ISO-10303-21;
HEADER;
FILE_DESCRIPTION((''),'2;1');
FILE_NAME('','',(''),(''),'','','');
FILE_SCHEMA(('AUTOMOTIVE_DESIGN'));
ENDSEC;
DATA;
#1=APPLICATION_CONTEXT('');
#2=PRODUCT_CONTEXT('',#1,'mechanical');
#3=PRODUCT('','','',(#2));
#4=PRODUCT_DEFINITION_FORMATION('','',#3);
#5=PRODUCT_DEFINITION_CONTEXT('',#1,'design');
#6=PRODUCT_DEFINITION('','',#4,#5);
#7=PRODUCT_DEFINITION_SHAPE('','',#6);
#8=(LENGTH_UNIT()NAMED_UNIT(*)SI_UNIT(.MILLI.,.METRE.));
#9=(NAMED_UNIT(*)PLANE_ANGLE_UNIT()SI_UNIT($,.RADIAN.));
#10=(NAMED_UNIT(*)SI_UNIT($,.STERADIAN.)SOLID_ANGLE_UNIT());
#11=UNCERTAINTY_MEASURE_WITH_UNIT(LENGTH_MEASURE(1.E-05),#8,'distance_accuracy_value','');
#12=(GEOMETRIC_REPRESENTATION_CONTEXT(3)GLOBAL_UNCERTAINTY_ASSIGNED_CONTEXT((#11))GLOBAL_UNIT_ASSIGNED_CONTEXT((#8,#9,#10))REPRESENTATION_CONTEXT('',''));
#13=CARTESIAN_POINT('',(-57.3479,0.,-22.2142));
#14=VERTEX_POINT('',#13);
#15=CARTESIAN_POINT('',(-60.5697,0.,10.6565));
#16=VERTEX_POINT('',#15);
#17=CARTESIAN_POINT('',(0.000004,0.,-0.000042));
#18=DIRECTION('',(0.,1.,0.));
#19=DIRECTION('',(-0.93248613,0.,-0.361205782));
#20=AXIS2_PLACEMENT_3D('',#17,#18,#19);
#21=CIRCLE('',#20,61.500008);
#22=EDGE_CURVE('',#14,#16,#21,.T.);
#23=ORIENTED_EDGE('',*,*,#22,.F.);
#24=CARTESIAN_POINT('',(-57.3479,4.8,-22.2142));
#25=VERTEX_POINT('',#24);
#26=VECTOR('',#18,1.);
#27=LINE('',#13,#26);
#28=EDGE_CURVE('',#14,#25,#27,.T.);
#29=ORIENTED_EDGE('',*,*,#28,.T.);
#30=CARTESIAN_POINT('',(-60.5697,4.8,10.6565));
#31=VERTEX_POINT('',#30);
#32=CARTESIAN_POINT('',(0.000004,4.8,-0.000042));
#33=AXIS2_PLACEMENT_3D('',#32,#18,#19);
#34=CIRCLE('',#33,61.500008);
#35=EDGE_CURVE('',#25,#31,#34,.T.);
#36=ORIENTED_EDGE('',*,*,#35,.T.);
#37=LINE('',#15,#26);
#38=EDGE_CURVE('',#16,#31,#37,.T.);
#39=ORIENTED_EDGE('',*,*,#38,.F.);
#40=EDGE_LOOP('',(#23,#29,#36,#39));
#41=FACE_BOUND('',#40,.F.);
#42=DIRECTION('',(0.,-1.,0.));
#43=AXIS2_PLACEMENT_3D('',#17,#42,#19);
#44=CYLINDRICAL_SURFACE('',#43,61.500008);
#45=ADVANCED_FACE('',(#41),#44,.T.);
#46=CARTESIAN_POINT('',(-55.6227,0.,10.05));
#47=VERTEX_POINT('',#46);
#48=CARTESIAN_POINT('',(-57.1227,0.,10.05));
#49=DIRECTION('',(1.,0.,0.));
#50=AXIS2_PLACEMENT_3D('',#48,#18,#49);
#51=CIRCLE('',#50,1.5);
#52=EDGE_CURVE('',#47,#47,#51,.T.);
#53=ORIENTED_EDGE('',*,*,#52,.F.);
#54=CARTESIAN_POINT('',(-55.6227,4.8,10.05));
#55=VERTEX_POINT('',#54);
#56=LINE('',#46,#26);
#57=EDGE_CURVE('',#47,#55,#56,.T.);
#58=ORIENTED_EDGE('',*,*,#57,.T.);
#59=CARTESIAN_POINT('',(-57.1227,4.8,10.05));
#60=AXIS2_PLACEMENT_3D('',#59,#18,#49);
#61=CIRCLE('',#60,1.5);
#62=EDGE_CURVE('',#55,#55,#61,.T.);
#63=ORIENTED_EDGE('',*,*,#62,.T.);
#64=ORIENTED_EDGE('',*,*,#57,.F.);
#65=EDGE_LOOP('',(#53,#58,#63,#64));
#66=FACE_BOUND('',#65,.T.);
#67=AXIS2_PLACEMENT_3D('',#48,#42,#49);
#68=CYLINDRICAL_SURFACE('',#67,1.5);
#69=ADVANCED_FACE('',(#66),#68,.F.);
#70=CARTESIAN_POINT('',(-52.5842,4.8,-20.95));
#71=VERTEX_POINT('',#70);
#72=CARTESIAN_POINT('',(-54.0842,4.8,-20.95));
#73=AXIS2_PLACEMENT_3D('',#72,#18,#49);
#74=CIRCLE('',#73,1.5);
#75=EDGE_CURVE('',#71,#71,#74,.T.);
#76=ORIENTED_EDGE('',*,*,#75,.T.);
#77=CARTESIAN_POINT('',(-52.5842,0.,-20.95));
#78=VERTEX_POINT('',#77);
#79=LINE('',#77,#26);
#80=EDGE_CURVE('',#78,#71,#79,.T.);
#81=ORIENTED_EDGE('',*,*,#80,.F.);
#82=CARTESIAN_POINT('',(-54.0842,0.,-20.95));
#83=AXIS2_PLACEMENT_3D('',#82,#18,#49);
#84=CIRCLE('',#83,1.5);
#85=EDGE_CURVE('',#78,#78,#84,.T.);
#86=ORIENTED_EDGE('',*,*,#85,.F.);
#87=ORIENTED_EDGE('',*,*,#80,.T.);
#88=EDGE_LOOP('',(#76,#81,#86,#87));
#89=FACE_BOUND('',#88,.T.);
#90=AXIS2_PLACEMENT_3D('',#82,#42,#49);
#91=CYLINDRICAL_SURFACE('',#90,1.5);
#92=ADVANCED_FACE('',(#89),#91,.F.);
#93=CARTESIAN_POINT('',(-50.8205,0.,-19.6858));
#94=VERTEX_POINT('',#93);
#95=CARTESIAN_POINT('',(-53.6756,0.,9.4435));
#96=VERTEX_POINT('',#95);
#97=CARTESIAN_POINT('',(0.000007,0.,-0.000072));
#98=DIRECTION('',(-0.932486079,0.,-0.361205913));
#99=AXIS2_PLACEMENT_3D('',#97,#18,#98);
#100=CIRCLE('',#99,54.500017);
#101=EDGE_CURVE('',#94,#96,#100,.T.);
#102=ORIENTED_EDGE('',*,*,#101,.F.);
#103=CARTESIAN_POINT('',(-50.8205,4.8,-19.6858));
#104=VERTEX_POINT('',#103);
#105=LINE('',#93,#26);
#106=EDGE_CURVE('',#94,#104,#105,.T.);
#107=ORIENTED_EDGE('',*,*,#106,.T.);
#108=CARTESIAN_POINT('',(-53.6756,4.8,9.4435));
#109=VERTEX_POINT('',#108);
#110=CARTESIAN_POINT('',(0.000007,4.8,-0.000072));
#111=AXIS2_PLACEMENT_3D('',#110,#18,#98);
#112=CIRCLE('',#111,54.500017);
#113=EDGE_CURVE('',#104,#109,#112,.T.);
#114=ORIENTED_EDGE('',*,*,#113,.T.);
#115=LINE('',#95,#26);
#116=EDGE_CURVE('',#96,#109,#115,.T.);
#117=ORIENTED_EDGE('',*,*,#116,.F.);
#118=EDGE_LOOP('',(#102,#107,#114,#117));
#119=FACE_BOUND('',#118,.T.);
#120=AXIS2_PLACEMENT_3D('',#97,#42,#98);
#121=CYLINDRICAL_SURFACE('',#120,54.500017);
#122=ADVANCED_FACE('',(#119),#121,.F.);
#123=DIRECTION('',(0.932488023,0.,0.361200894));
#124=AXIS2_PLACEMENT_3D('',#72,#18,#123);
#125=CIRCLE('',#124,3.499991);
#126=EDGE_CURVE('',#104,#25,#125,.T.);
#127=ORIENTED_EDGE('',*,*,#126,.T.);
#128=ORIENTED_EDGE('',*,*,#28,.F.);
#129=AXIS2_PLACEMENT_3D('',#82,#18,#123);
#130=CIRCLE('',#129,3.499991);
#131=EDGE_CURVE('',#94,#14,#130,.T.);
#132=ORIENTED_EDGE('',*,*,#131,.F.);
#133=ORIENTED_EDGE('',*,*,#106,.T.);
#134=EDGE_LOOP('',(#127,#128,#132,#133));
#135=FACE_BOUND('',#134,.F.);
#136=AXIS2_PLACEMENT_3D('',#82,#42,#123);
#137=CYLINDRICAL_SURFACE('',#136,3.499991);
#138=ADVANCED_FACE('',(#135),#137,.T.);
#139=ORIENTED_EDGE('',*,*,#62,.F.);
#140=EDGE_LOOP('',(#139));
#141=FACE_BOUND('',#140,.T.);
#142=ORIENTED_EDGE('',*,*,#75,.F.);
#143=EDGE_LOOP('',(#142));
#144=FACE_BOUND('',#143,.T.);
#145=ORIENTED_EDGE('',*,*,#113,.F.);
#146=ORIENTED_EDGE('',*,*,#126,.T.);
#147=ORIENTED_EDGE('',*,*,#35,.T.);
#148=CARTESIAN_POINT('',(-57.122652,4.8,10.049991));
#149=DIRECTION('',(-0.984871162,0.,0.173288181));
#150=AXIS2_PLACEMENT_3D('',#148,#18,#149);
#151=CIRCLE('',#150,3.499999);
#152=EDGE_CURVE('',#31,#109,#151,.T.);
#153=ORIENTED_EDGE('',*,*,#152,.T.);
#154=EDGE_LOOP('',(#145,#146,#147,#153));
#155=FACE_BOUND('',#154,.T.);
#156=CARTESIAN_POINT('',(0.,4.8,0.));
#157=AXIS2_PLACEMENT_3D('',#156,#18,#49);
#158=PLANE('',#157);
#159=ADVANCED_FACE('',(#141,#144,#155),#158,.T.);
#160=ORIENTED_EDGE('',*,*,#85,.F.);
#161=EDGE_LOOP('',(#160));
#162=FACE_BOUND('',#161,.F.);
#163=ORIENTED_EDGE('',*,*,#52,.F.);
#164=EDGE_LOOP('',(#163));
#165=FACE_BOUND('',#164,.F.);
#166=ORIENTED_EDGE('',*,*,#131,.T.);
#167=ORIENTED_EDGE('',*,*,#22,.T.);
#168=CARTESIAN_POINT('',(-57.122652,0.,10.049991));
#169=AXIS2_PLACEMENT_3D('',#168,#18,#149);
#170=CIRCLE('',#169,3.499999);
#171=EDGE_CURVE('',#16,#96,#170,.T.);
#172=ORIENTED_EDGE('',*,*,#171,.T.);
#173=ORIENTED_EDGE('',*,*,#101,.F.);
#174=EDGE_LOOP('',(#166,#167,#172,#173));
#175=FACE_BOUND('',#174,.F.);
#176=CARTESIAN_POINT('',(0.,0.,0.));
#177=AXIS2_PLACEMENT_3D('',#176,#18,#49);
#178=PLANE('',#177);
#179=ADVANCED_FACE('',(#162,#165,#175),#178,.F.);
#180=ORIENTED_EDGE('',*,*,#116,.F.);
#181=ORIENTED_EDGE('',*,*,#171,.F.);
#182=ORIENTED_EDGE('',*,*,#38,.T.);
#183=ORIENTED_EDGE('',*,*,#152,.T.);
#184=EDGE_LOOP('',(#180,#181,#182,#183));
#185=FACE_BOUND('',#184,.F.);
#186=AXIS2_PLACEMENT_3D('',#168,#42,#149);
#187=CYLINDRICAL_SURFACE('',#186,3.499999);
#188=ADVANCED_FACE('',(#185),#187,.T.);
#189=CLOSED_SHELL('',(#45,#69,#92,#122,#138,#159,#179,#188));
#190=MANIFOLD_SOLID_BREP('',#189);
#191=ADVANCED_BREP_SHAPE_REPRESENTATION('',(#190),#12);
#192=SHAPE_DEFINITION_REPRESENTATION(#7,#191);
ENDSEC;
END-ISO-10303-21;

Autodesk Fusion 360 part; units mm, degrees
sketch "Sketch1" plane through (0, 0, 0) normal (0, 1, 0) x (1, 0, 0)
  circle A0 centre (0, 0) radius 14 construction
  line L0 (0, 0) -> (0, 52) construction
  circle A1 centre (0, 0) radius 58 construction
  line L1 (0, 0) -> (-58, 0) construction
  line L2 (-61.5, 0) -> (-54.5, 0) construction
  line L3 (-52.0547, 32.75) -> (-43.5625, 32.75) construction
  line L4 (-54.7818, 27.95) -> (-46.7873, 27.95) construction
  line L5 (-59.0893, -17.05) -> (-51.7643, -17.05) construction
  circle A2 centre (-57.1227, -10.05) radius 1.5
  circle A3 centre (-54.0842, 20.95) radius 1.5
  arc A4 (-50.8205, 19.6858) -> (-57.3479, 22.2142) centre (-54.0842, 20.95) ccw
  arc A5 (-57.3479, 22.2142) -> (-55.2493, 17.6496) centre (-54.0842, 20.95) ccw construction
  arc A6 (-55.2493, 17.6496) -> (-50.8205, 19.6858) centre (-54.0842, 20.95) ccw construction
  arc A7 (-60.5697, -10.6565) -> (-53.6756, -9.4435) centre (-57.1227, -10.05) ccw
  arc A8 (-57.6248, -6.5862) -> (-60.5697, -10.6565) centre (-57.1227, -10.05) ccw construction
  arc A9 (-53.6756, -9.4435) -> (-57.6248, -6.5862) centre (-57.1227, -10.05) ccw construction
  arc A10 (-60.5697, -10.6565) -> (-59.0893, -17.05) centre (0, 0) ccw construction
  arc A11 (-53.6756, -9.4435) -> (-51.7643, -17.05) centre (0, 0) ccw construction
  arc A12 (-51.7643, -17.05) -> (-46.7873, 27.95) centre (0, 0) ccw construction
  arc A13 (-50.8205, 19.6858) -> (-53.6756, -9.4435) centre (0, 0) ccw
  arc A14 (-46.7873, 27.95) -> (-50.8205, 19.6858) centre (0, 0) ccw construction
  arc A15 (-59.0893, -17.05) -> (-54.7818, 27.95) centre (0, 0) ccw construction
  arc A16 (-57.3479, 22.2142) -> (-60.5697, -10.6565) centre (0, 0) ccw
  arc A17 (-54.7818, 27.95) -> (-57.3479, 22.2142) centre (0, 0) ccw construction
  point P0 (0, 14)
  point P1 (-58, 0)
  point P2 (-54.0842, 20.95)
  point P3 (-57.1227, -10.05)
  dimension "d6" = 28
  dimension "d7" = 38
  dimension "d8" = 116
  dimension "d9" = 7
  dimension "d10" = 19.25
  dimension "d11" = 4.8
  dimension "d12" = 7
  dimension "d13" = 45
  dimension "d14" = 7
  dimension "d15" = 3
  dimension "d16" = 3
extrude "Extrude1" add sketch "Sketch1" along normal blind 4.8
